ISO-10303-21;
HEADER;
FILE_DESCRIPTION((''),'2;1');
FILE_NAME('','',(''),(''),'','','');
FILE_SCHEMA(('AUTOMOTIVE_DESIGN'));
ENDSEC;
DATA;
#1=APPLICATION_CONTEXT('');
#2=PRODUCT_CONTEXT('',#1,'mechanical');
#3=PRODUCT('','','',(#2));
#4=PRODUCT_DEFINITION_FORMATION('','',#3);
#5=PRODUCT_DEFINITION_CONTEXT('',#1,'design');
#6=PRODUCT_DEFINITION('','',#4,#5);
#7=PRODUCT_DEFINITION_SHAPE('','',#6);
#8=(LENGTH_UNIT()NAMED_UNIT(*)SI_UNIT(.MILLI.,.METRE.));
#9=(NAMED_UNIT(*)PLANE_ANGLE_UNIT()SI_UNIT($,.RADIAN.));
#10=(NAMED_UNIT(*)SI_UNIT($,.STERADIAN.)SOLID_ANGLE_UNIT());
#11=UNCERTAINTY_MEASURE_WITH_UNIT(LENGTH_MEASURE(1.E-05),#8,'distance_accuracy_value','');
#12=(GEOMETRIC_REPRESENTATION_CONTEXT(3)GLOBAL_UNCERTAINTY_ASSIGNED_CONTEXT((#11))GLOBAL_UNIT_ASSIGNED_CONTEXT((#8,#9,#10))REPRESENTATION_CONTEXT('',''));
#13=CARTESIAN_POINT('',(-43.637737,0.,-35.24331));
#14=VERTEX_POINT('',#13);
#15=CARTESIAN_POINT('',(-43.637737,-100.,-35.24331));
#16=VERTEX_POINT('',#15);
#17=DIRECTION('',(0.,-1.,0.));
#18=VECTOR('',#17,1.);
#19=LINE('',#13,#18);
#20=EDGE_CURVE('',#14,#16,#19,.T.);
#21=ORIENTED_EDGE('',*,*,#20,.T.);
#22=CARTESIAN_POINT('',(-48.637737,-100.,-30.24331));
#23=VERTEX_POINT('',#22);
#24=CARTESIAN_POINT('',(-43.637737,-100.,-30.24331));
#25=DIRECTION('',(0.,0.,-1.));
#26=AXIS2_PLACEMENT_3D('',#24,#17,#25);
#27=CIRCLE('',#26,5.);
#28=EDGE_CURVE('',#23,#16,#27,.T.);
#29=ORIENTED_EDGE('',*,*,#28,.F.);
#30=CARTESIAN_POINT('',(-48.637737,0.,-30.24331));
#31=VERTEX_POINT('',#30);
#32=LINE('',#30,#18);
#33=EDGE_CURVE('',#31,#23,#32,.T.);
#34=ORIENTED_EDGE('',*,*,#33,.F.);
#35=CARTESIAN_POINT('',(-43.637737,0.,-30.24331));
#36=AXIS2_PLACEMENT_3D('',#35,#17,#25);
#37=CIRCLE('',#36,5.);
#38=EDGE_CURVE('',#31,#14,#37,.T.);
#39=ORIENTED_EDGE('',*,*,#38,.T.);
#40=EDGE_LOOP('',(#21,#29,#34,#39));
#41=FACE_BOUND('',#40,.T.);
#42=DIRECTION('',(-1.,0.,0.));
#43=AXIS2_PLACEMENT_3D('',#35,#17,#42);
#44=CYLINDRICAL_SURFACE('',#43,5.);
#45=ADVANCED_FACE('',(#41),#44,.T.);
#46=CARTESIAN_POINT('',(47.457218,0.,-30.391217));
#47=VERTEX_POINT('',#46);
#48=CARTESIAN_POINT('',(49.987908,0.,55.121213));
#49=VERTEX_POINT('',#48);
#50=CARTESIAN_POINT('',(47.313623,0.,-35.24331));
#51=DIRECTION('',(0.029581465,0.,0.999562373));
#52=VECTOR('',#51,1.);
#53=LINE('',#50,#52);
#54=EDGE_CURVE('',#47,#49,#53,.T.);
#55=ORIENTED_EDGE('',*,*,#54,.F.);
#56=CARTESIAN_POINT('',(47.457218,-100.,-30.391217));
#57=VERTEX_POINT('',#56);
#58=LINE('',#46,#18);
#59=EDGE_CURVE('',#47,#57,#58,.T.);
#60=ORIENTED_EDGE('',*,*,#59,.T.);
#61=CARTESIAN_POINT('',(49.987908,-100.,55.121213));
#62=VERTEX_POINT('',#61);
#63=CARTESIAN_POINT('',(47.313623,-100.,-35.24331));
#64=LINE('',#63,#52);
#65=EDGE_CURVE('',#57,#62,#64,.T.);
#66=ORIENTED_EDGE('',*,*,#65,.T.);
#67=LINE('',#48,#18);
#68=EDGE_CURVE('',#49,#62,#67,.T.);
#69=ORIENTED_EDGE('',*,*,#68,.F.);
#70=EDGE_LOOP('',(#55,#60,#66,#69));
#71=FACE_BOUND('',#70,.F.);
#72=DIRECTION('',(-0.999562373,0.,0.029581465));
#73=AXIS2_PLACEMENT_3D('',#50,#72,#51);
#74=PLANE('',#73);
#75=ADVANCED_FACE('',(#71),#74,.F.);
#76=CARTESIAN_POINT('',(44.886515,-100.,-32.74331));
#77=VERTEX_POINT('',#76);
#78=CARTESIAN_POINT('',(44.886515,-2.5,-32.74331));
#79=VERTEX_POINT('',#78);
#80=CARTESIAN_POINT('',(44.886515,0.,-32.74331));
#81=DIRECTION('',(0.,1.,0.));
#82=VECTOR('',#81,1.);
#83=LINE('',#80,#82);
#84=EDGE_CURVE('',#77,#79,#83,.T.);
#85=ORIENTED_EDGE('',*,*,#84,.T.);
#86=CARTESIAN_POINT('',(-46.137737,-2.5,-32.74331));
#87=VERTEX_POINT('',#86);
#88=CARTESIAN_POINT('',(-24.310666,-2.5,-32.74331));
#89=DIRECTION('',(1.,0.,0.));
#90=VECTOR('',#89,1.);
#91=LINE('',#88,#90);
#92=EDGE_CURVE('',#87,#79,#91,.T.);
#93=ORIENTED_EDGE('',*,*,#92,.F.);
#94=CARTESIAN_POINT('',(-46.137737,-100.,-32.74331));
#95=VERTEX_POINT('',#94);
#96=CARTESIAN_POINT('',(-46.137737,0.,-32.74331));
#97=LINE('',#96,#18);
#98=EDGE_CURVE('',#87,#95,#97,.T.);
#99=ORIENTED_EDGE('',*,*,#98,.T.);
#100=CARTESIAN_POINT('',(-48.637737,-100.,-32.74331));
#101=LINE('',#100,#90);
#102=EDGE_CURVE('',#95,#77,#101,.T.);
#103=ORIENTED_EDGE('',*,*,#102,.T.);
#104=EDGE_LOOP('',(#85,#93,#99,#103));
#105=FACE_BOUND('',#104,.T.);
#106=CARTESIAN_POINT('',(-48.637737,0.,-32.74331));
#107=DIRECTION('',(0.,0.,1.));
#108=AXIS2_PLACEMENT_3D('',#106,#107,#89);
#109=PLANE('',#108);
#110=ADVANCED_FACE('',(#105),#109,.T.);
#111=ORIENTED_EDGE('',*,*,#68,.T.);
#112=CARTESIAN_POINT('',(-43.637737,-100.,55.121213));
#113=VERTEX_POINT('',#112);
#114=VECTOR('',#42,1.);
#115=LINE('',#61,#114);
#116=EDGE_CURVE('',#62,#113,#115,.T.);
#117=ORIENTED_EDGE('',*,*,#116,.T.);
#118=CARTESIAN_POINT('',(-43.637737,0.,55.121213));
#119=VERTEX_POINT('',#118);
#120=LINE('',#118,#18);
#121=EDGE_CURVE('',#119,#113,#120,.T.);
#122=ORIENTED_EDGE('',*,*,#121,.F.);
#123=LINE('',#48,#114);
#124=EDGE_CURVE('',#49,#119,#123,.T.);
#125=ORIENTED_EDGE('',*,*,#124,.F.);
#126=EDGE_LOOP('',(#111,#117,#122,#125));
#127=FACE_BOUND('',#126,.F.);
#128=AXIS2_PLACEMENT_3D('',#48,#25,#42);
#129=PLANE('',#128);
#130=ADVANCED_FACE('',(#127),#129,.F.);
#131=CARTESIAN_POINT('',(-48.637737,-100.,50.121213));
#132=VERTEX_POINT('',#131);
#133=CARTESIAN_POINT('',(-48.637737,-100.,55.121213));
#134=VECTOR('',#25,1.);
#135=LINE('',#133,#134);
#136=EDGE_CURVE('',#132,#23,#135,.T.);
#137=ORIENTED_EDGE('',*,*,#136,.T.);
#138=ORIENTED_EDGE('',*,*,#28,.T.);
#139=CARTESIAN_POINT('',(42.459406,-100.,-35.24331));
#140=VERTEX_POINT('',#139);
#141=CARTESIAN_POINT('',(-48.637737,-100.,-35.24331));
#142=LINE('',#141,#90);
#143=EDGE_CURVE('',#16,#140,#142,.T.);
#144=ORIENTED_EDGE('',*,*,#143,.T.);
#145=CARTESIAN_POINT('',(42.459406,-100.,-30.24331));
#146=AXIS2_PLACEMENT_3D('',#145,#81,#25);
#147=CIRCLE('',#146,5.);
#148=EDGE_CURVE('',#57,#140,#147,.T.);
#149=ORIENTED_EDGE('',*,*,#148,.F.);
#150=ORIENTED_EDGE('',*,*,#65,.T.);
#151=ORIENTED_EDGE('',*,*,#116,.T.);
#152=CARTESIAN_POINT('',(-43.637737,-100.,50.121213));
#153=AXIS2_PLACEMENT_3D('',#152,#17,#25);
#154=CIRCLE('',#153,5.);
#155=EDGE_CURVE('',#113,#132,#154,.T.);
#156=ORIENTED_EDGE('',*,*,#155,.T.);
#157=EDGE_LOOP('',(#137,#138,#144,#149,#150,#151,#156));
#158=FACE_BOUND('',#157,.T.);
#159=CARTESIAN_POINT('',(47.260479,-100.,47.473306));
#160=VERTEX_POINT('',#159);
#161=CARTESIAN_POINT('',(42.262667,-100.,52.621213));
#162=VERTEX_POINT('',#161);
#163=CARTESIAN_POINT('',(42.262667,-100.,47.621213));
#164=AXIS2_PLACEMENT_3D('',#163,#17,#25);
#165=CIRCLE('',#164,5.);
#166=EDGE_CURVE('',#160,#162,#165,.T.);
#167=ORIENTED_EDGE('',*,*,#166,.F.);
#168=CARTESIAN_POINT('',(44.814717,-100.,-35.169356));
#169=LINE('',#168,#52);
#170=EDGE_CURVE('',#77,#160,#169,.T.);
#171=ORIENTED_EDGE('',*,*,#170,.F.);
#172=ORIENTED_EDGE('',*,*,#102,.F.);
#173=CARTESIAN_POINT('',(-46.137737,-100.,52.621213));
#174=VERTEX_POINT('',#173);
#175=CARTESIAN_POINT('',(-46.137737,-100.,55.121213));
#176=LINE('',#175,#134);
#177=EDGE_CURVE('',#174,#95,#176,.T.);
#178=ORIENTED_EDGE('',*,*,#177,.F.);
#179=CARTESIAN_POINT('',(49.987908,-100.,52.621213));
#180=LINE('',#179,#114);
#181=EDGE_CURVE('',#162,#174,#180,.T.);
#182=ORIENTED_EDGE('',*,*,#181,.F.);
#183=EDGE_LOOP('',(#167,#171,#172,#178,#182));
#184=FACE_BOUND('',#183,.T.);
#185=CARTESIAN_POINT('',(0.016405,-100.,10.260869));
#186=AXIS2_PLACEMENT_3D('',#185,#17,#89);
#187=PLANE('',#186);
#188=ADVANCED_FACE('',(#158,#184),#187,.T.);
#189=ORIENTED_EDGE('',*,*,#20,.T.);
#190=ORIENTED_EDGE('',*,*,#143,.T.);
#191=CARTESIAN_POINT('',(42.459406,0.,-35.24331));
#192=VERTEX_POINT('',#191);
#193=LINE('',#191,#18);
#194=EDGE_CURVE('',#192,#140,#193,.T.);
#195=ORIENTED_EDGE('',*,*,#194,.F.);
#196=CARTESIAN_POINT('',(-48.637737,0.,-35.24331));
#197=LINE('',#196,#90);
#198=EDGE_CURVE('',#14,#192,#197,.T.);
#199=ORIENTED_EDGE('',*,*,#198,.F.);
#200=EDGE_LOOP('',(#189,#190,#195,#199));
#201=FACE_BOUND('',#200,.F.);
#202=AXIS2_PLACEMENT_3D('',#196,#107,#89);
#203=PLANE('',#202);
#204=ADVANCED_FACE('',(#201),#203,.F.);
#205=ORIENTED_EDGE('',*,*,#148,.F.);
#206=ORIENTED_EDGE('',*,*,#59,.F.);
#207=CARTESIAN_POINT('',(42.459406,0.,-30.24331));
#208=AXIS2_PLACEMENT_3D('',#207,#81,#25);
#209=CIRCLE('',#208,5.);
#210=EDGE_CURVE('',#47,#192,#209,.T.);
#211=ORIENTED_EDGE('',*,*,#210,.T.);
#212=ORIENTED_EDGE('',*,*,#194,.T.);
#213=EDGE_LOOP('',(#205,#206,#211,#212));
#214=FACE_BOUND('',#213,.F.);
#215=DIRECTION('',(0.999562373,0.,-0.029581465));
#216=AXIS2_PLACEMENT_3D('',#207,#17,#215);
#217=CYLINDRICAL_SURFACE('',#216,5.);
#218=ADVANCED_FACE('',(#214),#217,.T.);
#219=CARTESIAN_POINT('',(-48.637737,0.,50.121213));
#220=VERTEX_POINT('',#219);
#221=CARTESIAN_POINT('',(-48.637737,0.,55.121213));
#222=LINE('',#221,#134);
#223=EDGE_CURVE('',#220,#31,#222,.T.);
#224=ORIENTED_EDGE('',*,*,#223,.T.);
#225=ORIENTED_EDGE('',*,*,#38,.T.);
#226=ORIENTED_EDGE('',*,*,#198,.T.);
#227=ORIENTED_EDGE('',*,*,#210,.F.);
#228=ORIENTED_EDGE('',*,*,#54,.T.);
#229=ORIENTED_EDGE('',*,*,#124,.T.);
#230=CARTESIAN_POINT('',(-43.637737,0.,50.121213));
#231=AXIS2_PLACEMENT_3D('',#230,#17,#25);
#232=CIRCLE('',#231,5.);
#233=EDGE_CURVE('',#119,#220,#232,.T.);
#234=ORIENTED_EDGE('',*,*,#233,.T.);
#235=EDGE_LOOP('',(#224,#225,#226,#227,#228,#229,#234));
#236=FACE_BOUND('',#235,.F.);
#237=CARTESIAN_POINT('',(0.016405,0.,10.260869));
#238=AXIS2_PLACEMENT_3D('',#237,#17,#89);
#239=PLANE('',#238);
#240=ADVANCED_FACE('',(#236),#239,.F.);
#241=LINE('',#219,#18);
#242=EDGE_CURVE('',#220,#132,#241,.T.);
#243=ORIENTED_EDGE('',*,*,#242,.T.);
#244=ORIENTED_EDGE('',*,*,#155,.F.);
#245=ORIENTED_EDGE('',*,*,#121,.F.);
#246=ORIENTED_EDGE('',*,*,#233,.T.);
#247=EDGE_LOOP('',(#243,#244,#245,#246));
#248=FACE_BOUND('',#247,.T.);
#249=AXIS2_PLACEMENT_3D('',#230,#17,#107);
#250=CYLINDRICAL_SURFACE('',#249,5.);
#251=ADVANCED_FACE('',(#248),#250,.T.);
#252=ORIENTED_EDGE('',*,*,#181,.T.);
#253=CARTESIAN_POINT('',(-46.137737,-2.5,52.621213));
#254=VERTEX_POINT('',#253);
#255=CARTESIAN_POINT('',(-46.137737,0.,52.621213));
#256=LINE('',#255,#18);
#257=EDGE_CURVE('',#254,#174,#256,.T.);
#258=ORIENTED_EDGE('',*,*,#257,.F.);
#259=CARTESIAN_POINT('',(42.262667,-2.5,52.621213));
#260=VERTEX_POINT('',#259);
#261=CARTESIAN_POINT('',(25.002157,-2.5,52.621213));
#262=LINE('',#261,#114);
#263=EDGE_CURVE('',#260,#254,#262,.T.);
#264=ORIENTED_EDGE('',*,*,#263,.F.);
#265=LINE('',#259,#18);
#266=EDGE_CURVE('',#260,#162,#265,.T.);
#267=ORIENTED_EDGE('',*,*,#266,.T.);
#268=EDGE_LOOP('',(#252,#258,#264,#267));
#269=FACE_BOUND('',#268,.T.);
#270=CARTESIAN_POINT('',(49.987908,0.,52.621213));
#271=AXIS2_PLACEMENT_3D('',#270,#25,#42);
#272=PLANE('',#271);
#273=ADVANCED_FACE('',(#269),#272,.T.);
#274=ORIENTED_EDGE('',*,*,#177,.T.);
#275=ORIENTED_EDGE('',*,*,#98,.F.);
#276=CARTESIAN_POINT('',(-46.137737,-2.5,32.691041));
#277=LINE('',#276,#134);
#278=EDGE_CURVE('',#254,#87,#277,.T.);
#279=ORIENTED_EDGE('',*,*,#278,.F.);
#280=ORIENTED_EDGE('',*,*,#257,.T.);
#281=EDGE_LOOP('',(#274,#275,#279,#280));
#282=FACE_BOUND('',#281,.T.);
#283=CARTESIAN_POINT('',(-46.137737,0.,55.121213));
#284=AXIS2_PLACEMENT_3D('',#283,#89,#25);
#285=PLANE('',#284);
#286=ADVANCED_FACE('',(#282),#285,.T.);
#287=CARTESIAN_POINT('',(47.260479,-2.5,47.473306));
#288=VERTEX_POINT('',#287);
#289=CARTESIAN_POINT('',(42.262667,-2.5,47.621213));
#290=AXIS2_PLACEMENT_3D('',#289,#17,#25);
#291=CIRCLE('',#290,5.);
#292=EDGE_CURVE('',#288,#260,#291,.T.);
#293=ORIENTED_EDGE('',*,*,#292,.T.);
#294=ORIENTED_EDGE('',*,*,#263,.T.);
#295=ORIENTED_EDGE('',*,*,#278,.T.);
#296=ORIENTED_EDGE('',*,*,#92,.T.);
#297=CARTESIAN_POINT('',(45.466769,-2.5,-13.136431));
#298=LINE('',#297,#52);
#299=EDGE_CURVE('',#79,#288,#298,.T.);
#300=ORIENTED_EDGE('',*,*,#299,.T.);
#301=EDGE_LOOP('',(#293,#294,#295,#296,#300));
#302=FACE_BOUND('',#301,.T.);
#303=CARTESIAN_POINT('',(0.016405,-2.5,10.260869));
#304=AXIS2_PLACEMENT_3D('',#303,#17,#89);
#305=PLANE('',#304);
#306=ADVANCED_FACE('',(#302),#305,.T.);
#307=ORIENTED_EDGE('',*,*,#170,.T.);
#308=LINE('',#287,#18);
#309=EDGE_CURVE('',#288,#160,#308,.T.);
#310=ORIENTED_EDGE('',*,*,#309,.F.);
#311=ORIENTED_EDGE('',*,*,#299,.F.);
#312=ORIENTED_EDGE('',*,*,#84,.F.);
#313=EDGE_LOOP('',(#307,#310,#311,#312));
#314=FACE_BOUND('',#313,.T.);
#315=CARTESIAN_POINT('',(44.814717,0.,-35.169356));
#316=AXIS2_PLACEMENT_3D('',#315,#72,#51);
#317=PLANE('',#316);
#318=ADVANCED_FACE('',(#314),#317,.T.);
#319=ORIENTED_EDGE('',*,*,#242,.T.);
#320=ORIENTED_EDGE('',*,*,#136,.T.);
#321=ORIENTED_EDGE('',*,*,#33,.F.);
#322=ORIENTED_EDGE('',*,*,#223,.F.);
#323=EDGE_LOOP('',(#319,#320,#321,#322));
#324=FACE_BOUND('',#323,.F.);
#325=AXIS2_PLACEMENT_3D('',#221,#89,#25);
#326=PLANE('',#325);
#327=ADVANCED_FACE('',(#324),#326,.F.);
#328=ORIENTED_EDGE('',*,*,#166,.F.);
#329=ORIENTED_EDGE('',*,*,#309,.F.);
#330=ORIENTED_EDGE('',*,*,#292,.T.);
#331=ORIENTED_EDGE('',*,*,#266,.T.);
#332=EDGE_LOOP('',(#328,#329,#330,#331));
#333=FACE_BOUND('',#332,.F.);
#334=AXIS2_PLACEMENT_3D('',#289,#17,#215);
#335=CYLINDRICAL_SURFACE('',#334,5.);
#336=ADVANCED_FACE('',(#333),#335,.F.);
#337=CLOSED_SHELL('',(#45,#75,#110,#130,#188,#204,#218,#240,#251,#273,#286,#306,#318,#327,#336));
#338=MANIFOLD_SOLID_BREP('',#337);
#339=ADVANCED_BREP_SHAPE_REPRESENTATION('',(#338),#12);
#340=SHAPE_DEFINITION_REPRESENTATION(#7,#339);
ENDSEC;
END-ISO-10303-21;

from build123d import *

# Parameters (mm, degrees)
F1_DEPTH = 100
F2_T     = -2.5
F3_R     = 5


with BuildPart() as f1:
    # F0 (on Front) → F1 (new body)
    with BuildSketch(Plane.XZ):
        Polygon((47.3136231303, -35.2433100343), (49.9879084527, 55.1212131977), (-48.6377365887, 55.1212131977), (-48.6377365887, -35.2433100343), align=None)
    extrude(amount=F1_DEPTH)

    # F2
    f2_openings = [f1.faces().sort_by_distance(p)[0] for p in [
        (0.009578, -100, 10.145948),
    ]]
    offset(amount=F2_T, openings=f2_openings)

    # F3
    f3_edges = [f1.edges().sort_by_distance(p)[0] for p in [
        (-48.637737, -50, 55.121213),
        (47.412828, -51.25, 52.621213),
        (-48.637737, -50, -35.24331),
        (47.313623, -50, -35.24331),
    ]]
    fillet(f3_edges, radius=F3_R)


solid = f1.part
